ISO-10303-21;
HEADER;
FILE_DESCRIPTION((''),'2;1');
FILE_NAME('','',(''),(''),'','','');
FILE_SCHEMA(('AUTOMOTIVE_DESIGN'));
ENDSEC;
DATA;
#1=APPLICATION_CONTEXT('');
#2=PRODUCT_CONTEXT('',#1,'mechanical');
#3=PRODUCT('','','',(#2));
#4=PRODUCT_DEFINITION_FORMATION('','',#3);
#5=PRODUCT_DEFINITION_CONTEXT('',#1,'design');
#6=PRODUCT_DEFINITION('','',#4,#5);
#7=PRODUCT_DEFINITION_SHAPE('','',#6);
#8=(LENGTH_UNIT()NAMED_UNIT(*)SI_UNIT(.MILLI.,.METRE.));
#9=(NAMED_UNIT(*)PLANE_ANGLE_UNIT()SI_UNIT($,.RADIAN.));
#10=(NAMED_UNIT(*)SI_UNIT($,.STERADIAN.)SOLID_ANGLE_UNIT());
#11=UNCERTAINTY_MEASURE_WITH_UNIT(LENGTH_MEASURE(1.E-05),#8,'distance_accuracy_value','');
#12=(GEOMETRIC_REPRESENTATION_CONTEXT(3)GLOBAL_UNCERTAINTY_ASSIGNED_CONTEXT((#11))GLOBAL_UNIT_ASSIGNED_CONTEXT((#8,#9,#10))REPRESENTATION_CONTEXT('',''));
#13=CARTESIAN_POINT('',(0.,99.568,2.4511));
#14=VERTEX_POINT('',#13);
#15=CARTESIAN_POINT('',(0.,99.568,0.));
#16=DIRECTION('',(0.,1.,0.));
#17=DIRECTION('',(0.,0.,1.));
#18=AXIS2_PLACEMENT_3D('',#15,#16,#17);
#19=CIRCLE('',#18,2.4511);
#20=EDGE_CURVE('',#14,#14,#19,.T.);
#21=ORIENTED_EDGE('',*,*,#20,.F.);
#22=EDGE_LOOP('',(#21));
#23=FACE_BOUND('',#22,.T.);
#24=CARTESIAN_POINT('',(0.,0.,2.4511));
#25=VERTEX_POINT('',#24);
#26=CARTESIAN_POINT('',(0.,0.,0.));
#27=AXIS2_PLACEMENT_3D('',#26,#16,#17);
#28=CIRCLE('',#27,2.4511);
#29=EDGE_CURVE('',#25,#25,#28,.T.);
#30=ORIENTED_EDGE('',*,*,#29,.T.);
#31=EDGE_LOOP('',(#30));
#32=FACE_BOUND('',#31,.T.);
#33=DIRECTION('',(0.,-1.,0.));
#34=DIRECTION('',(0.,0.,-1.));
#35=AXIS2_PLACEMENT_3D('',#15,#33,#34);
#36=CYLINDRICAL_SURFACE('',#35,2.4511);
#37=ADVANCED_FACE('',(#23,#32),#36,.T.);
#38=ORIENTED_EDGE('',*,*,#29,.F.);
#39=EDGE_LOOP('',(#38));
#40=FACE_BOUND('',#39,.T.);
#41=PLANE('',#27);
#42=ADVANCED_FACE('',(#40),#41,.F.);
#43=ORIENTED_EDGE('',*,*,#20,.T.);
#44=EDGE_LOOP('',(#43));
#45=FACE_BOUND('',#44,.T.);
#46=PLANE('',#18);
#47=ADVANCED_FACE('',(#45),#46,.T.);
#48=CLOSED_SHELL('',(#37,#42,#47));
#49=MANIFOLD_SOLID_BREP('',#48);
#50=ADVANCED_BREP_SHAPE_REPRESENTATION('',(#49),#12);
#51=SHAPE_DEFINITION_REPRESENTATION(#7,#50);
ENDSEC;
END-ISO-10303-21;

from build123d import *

# Parameters (mm, degrees)
SKETCH1_R           = 2.4511
BOSS_EXTRUDE1_DEPTH = 99.568


with BuildPart() as part:
    # Sketch1 → Boss-Extrude1 (new body)
    with BuildSketch(Plane(origin=(0, 0, 0), x_dir=(1, 0, 0), z_dir=(0, 1, 0))):
        with Locations(Location((0, 0, 0), (0, 0, 270))):  # turned: the seam where the file's is
            Circle(SKETCH1_R)
    extrude(amount=BOSS_EXTRUDE1_DEPTH)


solid = part.part
